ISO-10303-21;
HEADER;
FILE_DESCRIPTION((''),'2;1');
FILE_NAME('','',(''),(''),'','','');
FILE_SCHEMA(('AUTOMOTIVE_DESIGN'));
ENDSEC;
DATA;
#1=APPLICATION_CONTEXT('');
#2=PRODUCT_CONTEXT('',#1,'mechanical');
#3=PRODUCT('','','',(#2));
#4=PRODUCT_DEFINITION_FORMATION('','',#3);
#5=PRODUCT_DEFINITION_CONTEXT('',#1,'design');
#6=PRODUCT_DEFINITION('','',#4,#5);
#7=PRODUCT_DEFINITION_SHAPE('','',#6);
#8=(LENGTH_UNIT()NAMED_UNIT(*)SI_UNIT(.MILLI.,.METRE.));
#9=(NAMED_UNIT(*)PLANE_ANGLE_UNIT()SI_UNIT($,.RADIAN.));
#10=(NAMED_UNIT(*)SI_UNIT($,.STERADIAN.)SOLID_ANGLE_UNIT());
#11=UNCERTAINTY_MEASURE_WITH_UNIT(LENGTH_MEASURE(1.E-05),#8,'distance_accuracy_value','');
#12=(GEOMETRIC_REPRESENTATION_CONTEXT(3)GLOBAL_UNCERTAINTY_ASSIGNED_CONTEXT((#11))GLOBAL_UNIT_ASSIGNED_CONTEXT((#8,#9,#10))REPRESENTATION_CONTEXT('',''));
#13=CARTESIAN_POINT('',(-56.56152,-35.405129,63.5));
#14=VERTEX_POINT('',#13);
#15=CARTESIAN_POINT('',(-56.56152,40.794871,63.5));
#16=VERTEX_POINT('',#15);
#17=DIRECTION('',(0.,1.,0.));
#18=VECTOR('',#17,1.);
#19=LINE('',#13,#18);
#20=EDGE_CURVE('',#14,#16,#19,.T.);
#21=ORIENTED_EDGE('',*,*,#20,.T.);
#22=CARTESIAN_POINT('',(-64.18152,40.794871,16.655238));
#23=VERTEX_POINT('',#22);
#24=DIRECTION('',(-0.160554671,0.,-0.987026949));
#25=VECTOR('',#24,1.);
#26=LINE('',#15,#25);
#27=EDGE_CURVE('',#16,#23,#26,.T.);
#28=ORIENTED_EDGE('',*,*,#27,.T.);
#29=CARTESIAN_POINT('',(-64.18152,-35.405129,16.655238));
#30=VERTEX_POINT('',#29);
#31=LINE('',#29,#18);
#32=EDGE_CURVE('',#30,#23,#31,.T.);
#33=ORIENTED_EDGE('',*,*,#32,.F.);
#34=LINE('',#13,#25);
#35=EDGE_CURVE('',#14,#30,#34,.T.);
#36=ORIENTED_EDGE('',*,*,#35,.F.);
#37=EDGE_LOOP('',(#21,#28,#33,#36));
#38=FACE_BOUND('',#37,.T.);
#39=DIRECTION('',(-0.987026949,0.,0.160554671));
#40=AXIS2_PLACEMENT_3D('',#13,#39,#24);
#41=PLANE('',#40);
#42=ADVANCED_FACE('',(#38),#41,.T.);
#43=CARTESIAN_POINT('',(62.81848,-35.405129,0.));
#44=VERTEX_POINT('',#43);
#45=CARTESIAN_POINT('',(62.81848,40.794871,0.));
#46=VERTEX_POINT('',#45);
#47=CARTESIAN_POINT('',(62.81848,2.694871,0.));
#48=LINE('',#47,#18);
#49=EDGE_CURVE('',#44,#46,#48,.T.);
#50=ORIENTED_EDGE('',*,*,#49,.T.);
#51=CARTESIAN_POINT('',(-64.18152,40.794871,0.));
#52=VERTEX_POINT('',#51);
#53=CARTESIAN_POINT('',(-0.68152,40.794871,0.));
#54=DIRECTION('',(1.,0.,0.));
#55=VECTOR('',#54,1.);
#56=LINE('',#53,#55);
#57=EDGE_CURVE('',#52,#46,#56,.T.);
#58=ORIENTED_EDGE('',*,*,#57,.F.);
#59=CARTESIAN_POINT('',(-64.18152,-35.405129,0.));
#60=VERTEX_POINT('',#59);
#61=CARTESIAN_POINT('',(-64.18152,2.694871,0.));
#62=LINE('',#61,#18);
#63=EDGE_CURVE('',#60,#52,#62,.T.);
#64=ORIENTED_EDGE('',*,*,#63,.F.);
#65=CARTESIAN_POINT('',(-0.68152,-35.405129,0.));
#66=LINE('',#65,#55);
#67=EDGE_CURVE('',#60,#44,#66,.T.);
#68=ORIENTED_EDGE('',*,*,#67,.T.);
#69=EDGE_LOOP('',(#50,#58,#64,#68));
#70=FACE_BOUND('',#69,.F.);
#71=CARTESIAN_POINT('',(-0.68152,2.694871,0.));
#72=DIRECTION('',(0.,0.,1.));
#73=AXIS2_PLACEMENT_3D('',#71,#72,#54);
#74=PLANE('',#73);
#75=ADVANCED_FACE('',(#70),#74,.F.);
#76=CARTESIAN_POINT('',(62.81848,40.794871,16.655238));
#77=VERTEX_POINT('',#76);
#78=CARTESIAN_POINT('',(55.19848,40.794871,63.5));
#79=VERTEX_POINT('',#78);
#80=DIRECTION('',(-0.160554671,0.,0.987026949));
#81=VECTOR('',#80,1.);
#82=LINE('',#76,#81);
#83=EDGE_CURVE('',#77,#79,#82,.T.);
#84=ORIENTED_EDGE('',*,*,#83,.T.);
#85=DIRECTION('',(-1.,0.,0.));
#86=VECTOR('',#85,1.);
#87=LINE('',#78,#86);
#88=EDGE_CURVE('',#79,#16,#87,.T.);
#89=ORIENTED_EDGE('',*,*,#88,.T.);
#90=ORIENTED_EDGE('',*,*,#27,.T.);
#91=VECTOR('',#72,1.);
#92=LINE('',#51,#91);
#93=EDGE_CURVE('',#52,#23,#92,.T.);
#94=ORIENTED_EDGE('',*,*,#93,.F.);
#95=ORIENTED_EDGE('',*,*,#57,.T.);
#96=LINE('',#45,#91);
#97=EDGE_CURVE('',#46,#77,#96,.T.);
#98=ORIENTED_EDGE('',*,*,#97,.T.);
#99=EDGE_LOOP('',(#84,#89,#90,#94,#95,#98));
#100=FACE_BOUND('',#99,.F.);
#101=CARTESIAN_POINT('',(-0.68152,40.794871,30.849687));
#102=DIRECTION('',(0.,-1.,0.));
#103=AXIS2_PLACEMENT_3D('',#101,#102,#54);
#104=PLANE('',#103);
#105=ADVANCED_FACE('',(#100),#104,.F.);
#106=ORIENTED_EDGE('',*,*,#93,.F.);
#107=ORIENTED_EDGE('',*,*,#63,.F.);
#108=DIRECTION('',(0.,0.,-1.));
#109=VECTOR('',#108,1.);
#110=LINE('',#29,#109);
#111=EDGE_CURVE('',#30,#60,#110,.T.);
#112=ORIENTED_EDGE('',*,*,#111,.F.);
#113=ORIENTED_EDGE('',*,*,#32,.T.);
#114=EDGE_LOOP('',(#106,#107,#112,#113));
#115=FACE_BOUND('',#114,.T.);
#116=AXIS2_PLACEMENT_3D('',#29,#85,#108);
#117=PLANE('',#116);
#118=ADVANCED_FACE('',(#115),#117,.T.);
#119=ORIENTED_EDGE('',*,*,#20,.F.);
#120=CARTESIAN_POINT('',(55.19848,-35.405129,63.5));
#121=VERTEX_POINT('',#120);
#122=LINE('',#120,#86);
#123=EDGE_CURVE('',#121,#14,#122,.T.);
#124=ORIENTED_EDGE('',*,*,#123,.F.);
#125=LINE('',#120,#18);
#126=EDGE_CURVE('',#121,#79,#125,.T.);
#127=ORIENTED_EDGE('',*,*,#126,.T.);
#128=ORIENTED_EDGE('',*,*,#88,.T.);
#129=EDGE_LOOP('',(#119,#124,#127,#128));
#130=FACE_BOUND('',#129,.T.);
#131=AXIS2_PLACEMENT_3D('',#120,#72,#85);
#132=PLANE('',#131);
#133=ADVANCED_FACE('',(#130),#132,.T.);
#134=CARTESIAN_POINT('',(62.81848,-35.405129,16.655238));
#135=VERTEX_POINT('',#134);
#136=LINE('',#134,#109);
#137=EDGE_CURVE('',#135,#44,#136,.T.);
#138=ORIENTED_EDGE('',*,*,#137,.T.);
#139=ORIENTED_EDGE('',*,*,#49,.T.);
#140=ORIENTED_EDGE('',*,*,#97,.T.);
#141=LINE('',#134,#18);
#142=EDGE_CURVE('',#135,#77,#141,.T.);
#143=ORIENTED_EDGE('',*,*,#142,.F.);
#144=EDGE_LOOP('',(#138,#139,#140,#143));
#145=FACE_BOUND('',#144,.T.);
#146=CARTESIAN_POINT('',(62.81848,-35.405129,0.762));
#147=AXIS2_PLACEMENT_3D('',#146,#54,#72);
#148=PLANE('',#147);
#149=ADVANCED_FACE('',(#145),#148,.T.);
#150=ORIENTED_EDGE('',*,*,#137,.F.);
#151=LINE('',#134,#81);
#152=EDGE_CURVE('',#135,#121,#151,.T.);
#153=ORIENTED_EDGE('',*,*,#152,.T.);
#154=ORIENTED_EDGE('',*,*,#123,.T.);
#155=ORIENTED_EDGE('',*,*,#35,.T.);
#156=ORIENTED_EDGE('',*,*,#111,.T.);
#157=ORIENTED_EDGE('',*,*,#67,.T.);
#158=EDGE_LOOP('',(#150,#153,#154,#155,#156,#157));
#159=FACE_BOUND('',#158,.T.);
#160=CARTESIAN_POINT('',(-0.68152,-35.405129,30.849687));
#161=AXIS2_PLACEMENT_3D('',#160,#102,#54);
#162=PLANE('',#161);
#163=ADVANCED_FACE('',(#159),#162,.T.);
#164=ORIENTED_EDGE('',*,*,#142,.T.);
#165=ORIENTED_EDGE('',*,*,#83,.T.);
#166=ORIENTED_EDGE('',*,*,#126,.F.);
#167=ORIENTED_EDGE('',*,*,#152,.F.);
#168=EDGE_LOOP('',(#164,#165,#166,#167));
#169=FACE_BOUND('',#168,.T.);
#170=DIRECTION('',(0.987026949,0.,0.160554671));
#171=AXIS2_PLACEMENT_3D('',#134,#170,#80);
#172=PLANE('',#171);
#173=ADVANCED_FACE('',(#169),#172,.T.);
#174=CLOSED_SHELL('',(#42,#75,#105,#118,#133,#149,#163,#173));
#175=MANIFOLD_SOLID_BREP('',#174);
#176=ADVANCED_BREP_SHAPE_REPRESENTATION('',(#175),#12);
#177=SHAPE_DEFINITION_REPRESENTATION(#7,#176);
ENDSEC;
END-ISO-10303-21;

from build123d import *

# Parameters (mm, degrees)
F0_W     = 127
F0_H     = 76.2
F1_DEPTH = 0.762
F3_DEPTH = 76.2


with BuildPart() as f1:
    # F0 (on Top) → F1 (new body)
    with BuildSketch(Plane.XY):
        with Locations((-0.68152, 2.694871)):
            Rectangle(F0_W, F0_H)
    extrude(amount=F1_DEPTH)

    # F2 (on face) → F3 (join)
    with BuildSketch(Plane.XZ.offset(35.405129)):
        Polygon((-64.18152, 0.762), (62.81848, 0.762), (62.81848, 16.655238), (55.19848, 63.5), (-56.56152, 63.5), (-64.18152, 16.655238), align=None)
    extrude(amount=-F3_DEPTH)


solid = f1.part
